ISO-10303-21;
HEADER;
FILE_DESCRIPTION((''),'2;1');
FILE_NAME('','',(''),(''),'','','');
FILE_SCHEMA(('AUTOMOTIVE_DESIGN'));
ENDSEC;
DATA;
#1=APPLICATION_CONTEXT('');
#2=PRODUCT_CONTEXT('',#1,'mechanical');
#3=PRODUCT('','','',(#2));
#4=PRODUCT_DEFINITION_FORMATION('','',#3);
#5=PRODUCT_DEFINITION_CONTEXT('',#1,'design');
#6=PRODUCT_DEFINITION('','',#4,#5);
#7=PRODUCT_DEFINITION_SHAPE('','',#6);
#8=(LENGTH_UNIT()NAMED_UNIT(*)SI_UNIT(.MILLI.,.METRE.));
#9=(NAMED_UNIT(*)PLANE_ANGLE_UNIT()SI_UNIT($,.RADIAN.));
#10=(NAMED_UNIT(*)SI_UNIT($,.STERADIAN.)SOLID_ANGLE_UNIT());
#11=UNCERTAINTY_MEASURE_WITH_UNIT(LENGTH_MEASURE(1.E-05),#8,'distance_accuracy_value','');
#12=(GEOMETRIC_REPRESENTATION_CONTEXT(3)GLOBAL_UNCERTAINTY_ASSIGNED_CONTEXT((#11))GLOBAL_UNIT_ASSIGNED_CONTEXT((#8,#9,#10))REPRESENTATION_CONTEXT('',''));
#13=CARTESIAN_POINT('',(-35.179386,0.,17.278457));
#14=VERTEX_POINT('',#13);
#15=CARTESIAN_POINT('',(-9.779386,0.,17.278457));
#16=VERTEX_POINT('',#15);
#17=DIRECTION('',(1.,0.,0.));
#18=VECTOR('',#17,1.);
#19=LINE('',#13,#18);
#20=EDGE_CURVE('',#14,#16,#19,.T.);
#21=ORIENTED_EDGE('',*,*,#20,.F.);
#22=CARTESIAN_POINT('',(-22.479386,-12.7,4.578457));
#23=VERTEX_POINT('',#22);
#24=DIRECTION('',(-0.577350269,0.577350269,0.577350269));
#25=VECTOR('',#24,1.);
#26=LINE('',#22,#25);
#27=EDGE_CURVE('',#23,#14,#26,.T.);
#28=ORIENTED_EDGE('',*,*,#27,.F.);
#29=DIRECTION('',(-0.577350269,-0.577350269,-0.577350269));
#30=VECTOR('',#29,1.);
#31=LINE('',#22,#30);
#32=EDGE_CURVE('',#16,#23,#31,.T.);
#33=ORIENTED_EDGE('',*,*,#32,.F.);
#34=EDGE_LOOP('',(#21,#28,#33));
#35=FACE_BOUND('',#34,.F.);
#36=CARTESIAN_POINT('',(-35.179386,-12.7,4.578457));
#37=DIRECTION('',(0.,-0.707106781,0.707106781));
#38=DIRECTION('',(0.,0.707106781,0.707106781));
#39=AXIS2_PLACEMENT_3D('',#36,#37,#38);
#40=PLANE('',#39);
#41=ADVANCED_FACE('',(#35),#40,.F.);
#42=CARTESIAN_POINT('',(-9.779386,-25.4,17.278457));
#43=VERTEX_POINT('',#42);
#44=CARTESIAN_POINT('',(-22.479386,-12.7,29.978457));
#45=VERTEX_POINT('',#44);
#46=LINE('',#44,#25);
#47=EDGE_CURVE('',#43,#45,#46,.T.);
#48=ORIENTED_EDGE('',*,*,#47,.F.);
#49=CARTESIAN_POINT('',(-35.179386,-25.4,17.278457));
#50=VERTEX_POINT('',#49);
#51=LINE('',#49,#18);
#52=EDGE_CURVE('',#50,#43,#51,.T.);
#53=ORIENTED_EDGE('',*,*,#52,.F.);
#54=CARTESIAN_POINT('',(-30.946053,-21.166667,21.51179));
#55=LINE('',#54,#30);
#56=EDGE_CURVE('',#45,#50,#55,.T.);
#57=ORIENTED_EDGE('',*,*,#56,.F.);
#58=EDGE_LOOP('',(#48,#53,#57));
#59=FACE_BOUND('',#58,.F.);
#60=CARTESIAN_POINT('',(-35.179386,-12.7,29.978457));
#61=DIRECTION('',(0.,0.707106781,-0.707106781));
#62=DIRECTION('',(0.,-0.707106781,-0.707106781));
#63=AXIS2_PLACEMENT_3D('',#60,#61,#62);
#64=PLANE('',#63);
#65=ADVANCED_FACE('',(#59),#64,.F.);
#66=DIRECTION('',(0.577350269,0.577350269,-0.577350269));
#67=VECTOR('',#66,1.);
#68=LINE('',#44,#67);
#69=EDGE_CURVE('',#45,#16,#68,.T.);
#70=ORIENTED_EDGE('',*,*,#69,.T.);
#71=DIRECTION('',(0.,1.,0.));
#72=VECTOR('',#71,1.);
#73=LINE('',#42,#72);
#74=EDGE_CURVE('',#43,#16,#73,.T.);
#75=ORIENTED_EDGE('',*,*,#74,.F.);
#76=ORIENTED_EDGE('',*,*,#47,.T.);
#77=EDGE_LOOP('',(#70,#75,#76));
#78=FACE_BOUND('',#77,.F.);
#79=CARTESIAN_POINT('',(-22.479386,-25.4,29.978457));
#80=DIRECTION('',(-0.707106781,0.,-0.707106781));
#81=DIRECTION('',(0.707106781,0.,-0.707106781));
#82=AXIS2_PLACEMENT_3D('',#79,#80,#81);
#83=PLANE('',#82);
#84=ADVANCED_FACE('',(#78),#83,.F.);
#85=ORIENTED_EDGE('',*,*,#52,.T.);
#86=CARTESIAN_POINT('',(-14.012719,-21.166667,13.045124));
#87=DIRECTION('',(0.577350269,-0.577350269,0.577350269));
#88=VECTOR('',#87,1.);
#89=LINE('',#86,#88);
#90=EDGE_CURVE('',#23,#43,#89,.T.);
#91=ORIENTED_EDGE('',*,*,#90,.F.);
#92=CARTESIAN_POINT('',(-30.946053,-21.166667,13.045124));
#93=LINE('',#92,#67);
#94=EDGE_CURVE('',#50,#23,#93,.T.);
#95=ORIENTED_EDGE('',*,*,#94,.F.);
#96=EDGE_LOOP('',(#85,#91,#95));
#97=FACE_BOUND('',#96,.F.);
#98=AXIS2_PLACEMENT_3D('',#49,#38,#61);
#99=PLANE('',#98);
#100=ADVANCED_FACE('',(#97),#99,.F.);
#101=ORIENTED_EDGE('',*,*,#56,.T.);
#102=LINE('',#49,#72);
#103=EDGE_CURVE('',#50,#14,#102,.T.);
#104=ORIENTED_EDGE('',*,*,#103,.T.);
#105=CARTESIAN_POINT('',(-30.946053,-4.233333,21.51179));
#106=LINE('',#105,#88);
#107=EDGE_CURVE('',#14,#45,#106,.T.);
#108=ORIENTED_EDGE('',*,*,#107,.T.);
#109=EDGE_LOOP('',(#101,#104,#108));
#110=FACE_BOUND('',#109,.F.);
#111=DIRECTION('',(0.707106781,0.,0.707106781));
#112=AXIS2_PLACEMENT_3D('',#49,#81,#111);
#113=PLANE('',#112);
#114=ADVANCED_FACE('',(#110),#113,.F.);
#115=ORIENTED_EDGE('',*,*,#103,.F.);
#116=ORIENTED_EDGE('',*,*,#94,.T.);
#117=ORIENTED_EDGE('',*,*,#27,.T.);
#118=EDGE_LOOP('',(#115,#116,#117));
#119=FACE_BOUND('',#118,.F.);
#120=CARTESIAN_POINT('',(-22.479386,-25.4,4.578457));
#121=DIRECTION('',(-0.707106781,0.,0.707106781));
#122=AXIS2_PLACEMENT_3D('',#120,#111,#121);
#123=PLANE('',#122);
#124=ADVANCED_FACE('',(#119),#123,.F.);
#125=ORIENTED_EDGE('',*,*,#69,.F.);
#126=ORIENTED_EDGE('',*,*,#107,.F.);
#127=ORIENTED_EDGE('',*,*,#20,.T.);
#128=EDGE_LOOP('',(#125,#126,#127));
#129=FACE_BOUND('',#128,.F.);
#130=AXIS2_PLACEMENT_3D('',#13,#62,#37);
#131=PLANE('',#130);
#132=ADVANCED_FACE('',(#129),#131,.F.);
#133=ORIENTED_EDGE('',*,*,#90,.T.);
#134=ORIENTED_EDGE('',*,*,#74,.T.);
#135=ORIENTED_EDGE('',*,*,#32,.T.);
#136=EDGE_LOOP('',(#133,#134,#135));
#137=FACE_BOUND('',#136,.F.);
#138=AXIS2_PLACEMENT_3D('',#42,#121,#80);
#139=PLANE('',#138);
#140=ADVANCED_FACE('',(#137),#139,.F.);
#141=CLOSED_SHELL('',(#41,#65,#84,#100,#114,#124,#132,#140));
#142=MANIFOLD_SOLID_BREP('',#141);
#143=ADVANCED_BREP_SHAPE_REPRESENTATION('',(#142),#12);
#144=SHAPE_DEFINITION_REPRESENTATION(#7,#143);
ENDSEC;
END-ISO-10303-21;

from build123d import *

# Parameters (mm, degrees)
F0_W     = 25.4
F0_H     = 25.4
F1_DEPTH = 25.4
F4_DEPTH = 25.4
F5_DEPTH = 25.4


with BuildPart() as f1:
    # F0 (on Front) → F1 (new body)
    with BuildSketch(Plane.XZ):
        with Locations((-22.479386, 17.278457)):
            Rectangle(F0_W, F0_H)
    extrude(amount=F1_DEPTH)

    # F3 (on face) → F4 (cut)
    with BuildSketch(Plane(origin=(-35.179386, 0, 0), x_dir=(0, -1, 0), z_dir=(-1, 0, 0))):
        Polygon((25.4, 29.978457), (12.7, 29.978457), (25.4, 17.278457), align=None)
        Polygon((0, 17.278457), (12.7, 29.978457), (0, 29.978457), align=None)
        Polygon((12.7, 4.578457), (0, 17.278457), (0, 4.578457), align=None)
        Polygon((25.4, 4.578457), (25.4, 17.278457), (12.7, 4.578457), align=None)
    extrude(amount=-F4_DEPTH, mode=Mode.SUBTRACT)

    # F2 (on face) → F5 (cut)
    with BuildSketch(Plane.XZ.offset(25.4)):
        Polygon((-9.779386, 29.978457), (-22.479386, 29.978457), (-9.779386, 17.278457), align=None)
        Polygon((-9.779386, 4.578457), (-9.779386, 17.278457), (-22.479386, 4.578457), align=None)
        Polygon((-22.479386, 4.578457), (-35.179386, 17.278457), (-35.179386, 4.578457), align=None)
        Polygon((-35.179386, 17.278457), (-22.479386, 29.978457), (-35.179386, 29.978457), align=None)
    extrude(amount=-F5_DEPTH, mode=Mode.SUBTRACT)


solid = f1.part
